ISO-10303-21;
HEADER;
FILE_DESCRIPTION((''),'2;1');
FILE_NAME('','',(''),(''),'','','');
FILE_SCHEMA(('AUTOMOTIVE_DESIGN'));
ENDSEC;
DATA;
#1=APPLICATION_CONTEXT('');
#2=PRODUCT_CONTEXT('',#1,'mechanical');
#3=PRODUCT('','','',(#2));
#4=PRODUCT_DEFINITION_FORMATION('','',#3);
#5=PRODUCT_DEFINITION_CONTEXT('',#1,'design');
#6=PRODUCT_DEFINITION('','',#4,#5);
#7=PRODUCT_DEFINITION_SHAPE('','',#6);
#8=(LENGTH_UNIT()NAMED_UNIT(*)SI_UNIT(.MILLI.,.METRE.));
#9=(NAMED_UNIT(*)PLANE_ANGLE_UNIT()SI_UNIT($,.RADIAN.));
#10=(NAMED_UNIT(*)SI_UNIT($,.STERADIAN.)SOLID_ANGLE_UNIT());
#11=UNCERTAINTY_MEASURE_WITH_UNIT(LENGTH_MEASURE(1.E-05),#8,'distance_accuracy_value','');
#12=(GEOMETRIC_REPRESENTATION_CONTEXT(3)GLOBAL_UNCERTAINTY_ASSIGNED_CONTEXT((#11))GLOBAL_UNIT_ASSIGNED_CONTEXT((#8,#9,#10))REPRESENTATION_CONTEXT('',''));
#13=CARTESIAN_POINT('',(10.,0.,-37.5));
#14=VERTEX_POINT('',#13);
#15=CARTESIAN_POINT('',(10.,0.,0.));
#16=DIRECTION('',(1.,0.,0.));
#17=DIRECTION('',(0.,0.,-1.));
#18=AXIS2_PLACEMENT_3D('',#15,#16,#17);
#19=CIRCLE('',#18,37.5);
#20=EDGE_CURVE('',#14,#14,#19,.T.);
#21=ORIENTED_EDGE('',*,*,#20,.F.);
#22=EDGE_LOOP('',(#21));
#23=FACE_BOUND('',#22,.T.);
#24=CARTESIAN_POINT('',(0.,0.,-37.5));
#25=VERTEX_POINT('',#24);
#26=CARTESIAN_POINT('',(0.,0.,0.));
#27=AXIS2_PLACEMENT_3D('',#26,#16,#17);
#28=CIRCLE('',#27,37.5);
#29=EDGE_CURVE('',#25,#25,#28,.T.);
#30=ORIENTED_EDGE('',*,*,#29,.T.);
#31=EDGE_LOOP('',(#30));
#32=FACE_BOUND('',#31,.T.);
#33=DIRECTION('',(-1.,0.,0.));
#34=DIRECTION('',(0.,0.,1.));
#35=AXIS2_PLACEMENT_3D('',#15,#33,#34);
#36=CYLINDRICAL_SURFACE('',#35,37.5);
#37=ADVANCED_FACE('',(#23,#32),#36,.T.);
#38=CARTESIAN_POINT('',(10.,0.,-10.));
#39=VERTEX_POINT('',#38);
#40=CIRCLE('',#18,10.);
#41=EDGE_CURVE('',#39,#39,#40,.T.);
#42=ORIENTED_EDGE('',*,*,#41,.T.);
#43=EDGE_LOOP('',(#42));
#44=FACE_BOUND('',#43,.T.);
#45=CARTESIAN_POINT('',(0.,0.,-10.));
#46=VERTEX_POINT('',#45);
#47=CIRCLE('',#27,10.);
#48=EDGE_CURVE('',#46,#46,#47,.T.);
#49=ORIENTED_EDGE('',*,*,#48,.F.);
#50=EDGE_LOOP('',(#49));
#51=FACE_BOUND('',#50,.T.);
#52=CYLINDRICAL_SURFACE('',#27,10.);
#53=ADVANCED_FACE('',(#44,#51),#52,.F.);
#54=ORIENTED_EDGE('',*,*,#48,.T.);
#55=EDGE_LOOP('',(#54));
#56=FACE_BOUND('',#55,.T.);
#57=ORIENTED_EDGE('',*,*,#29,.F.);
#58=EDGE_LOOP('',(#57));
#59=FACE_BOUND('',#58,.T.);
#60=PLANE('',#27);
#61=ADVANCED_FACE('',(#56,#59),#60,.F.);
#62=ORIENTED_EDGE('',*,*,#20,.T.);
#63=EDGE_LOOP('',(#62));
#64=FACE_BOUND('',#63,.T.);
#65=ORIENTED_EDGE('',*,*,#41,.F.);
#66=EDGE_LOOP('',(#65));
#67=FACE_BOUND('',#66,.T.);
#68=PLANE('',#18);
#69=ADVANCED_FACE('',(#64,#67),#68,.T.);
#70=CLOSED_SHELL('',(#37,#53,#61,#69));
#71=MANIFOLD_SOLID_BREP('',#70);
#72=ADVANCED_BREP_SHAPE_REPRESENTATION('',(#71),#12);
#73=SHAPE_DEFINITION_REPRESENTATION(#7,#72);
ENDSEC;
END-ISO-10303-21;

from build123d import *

# Parameters (mm, degrees)
SKETCH1_R           = 37.5
BOSS_EXTRUDE1_DEPTH = 10
SKETCH2_R           = 10
CUT_EXTRUDE1_DEPTH  = 11


with BuildPart() as part:
    # Sketch1 → Boss-Extrude1 (new body)
    with BuildSketch(Plane(origin=(0, 0, 0), x_dir=(0, 0, -1), z_dir=(1, 0, 0))):
        Circle(SKETCH1_R)
    extrude(amount=BOSS_EXTRUDE1_DEPTH)

    # Sketch2 → Cut-Extrude1 (cut, through all)
    with BuildSketch(Plane(origin=(10, 0, 0), x_dir=(0, 0, -1), z_dir=(1, 0, 0))):
        Circle(SKETCH2_R)
    extrude(amount=-CUT_EXTRUDE1_DEPTH, mode=Mode.SUBTRACT)


solid = part.part
